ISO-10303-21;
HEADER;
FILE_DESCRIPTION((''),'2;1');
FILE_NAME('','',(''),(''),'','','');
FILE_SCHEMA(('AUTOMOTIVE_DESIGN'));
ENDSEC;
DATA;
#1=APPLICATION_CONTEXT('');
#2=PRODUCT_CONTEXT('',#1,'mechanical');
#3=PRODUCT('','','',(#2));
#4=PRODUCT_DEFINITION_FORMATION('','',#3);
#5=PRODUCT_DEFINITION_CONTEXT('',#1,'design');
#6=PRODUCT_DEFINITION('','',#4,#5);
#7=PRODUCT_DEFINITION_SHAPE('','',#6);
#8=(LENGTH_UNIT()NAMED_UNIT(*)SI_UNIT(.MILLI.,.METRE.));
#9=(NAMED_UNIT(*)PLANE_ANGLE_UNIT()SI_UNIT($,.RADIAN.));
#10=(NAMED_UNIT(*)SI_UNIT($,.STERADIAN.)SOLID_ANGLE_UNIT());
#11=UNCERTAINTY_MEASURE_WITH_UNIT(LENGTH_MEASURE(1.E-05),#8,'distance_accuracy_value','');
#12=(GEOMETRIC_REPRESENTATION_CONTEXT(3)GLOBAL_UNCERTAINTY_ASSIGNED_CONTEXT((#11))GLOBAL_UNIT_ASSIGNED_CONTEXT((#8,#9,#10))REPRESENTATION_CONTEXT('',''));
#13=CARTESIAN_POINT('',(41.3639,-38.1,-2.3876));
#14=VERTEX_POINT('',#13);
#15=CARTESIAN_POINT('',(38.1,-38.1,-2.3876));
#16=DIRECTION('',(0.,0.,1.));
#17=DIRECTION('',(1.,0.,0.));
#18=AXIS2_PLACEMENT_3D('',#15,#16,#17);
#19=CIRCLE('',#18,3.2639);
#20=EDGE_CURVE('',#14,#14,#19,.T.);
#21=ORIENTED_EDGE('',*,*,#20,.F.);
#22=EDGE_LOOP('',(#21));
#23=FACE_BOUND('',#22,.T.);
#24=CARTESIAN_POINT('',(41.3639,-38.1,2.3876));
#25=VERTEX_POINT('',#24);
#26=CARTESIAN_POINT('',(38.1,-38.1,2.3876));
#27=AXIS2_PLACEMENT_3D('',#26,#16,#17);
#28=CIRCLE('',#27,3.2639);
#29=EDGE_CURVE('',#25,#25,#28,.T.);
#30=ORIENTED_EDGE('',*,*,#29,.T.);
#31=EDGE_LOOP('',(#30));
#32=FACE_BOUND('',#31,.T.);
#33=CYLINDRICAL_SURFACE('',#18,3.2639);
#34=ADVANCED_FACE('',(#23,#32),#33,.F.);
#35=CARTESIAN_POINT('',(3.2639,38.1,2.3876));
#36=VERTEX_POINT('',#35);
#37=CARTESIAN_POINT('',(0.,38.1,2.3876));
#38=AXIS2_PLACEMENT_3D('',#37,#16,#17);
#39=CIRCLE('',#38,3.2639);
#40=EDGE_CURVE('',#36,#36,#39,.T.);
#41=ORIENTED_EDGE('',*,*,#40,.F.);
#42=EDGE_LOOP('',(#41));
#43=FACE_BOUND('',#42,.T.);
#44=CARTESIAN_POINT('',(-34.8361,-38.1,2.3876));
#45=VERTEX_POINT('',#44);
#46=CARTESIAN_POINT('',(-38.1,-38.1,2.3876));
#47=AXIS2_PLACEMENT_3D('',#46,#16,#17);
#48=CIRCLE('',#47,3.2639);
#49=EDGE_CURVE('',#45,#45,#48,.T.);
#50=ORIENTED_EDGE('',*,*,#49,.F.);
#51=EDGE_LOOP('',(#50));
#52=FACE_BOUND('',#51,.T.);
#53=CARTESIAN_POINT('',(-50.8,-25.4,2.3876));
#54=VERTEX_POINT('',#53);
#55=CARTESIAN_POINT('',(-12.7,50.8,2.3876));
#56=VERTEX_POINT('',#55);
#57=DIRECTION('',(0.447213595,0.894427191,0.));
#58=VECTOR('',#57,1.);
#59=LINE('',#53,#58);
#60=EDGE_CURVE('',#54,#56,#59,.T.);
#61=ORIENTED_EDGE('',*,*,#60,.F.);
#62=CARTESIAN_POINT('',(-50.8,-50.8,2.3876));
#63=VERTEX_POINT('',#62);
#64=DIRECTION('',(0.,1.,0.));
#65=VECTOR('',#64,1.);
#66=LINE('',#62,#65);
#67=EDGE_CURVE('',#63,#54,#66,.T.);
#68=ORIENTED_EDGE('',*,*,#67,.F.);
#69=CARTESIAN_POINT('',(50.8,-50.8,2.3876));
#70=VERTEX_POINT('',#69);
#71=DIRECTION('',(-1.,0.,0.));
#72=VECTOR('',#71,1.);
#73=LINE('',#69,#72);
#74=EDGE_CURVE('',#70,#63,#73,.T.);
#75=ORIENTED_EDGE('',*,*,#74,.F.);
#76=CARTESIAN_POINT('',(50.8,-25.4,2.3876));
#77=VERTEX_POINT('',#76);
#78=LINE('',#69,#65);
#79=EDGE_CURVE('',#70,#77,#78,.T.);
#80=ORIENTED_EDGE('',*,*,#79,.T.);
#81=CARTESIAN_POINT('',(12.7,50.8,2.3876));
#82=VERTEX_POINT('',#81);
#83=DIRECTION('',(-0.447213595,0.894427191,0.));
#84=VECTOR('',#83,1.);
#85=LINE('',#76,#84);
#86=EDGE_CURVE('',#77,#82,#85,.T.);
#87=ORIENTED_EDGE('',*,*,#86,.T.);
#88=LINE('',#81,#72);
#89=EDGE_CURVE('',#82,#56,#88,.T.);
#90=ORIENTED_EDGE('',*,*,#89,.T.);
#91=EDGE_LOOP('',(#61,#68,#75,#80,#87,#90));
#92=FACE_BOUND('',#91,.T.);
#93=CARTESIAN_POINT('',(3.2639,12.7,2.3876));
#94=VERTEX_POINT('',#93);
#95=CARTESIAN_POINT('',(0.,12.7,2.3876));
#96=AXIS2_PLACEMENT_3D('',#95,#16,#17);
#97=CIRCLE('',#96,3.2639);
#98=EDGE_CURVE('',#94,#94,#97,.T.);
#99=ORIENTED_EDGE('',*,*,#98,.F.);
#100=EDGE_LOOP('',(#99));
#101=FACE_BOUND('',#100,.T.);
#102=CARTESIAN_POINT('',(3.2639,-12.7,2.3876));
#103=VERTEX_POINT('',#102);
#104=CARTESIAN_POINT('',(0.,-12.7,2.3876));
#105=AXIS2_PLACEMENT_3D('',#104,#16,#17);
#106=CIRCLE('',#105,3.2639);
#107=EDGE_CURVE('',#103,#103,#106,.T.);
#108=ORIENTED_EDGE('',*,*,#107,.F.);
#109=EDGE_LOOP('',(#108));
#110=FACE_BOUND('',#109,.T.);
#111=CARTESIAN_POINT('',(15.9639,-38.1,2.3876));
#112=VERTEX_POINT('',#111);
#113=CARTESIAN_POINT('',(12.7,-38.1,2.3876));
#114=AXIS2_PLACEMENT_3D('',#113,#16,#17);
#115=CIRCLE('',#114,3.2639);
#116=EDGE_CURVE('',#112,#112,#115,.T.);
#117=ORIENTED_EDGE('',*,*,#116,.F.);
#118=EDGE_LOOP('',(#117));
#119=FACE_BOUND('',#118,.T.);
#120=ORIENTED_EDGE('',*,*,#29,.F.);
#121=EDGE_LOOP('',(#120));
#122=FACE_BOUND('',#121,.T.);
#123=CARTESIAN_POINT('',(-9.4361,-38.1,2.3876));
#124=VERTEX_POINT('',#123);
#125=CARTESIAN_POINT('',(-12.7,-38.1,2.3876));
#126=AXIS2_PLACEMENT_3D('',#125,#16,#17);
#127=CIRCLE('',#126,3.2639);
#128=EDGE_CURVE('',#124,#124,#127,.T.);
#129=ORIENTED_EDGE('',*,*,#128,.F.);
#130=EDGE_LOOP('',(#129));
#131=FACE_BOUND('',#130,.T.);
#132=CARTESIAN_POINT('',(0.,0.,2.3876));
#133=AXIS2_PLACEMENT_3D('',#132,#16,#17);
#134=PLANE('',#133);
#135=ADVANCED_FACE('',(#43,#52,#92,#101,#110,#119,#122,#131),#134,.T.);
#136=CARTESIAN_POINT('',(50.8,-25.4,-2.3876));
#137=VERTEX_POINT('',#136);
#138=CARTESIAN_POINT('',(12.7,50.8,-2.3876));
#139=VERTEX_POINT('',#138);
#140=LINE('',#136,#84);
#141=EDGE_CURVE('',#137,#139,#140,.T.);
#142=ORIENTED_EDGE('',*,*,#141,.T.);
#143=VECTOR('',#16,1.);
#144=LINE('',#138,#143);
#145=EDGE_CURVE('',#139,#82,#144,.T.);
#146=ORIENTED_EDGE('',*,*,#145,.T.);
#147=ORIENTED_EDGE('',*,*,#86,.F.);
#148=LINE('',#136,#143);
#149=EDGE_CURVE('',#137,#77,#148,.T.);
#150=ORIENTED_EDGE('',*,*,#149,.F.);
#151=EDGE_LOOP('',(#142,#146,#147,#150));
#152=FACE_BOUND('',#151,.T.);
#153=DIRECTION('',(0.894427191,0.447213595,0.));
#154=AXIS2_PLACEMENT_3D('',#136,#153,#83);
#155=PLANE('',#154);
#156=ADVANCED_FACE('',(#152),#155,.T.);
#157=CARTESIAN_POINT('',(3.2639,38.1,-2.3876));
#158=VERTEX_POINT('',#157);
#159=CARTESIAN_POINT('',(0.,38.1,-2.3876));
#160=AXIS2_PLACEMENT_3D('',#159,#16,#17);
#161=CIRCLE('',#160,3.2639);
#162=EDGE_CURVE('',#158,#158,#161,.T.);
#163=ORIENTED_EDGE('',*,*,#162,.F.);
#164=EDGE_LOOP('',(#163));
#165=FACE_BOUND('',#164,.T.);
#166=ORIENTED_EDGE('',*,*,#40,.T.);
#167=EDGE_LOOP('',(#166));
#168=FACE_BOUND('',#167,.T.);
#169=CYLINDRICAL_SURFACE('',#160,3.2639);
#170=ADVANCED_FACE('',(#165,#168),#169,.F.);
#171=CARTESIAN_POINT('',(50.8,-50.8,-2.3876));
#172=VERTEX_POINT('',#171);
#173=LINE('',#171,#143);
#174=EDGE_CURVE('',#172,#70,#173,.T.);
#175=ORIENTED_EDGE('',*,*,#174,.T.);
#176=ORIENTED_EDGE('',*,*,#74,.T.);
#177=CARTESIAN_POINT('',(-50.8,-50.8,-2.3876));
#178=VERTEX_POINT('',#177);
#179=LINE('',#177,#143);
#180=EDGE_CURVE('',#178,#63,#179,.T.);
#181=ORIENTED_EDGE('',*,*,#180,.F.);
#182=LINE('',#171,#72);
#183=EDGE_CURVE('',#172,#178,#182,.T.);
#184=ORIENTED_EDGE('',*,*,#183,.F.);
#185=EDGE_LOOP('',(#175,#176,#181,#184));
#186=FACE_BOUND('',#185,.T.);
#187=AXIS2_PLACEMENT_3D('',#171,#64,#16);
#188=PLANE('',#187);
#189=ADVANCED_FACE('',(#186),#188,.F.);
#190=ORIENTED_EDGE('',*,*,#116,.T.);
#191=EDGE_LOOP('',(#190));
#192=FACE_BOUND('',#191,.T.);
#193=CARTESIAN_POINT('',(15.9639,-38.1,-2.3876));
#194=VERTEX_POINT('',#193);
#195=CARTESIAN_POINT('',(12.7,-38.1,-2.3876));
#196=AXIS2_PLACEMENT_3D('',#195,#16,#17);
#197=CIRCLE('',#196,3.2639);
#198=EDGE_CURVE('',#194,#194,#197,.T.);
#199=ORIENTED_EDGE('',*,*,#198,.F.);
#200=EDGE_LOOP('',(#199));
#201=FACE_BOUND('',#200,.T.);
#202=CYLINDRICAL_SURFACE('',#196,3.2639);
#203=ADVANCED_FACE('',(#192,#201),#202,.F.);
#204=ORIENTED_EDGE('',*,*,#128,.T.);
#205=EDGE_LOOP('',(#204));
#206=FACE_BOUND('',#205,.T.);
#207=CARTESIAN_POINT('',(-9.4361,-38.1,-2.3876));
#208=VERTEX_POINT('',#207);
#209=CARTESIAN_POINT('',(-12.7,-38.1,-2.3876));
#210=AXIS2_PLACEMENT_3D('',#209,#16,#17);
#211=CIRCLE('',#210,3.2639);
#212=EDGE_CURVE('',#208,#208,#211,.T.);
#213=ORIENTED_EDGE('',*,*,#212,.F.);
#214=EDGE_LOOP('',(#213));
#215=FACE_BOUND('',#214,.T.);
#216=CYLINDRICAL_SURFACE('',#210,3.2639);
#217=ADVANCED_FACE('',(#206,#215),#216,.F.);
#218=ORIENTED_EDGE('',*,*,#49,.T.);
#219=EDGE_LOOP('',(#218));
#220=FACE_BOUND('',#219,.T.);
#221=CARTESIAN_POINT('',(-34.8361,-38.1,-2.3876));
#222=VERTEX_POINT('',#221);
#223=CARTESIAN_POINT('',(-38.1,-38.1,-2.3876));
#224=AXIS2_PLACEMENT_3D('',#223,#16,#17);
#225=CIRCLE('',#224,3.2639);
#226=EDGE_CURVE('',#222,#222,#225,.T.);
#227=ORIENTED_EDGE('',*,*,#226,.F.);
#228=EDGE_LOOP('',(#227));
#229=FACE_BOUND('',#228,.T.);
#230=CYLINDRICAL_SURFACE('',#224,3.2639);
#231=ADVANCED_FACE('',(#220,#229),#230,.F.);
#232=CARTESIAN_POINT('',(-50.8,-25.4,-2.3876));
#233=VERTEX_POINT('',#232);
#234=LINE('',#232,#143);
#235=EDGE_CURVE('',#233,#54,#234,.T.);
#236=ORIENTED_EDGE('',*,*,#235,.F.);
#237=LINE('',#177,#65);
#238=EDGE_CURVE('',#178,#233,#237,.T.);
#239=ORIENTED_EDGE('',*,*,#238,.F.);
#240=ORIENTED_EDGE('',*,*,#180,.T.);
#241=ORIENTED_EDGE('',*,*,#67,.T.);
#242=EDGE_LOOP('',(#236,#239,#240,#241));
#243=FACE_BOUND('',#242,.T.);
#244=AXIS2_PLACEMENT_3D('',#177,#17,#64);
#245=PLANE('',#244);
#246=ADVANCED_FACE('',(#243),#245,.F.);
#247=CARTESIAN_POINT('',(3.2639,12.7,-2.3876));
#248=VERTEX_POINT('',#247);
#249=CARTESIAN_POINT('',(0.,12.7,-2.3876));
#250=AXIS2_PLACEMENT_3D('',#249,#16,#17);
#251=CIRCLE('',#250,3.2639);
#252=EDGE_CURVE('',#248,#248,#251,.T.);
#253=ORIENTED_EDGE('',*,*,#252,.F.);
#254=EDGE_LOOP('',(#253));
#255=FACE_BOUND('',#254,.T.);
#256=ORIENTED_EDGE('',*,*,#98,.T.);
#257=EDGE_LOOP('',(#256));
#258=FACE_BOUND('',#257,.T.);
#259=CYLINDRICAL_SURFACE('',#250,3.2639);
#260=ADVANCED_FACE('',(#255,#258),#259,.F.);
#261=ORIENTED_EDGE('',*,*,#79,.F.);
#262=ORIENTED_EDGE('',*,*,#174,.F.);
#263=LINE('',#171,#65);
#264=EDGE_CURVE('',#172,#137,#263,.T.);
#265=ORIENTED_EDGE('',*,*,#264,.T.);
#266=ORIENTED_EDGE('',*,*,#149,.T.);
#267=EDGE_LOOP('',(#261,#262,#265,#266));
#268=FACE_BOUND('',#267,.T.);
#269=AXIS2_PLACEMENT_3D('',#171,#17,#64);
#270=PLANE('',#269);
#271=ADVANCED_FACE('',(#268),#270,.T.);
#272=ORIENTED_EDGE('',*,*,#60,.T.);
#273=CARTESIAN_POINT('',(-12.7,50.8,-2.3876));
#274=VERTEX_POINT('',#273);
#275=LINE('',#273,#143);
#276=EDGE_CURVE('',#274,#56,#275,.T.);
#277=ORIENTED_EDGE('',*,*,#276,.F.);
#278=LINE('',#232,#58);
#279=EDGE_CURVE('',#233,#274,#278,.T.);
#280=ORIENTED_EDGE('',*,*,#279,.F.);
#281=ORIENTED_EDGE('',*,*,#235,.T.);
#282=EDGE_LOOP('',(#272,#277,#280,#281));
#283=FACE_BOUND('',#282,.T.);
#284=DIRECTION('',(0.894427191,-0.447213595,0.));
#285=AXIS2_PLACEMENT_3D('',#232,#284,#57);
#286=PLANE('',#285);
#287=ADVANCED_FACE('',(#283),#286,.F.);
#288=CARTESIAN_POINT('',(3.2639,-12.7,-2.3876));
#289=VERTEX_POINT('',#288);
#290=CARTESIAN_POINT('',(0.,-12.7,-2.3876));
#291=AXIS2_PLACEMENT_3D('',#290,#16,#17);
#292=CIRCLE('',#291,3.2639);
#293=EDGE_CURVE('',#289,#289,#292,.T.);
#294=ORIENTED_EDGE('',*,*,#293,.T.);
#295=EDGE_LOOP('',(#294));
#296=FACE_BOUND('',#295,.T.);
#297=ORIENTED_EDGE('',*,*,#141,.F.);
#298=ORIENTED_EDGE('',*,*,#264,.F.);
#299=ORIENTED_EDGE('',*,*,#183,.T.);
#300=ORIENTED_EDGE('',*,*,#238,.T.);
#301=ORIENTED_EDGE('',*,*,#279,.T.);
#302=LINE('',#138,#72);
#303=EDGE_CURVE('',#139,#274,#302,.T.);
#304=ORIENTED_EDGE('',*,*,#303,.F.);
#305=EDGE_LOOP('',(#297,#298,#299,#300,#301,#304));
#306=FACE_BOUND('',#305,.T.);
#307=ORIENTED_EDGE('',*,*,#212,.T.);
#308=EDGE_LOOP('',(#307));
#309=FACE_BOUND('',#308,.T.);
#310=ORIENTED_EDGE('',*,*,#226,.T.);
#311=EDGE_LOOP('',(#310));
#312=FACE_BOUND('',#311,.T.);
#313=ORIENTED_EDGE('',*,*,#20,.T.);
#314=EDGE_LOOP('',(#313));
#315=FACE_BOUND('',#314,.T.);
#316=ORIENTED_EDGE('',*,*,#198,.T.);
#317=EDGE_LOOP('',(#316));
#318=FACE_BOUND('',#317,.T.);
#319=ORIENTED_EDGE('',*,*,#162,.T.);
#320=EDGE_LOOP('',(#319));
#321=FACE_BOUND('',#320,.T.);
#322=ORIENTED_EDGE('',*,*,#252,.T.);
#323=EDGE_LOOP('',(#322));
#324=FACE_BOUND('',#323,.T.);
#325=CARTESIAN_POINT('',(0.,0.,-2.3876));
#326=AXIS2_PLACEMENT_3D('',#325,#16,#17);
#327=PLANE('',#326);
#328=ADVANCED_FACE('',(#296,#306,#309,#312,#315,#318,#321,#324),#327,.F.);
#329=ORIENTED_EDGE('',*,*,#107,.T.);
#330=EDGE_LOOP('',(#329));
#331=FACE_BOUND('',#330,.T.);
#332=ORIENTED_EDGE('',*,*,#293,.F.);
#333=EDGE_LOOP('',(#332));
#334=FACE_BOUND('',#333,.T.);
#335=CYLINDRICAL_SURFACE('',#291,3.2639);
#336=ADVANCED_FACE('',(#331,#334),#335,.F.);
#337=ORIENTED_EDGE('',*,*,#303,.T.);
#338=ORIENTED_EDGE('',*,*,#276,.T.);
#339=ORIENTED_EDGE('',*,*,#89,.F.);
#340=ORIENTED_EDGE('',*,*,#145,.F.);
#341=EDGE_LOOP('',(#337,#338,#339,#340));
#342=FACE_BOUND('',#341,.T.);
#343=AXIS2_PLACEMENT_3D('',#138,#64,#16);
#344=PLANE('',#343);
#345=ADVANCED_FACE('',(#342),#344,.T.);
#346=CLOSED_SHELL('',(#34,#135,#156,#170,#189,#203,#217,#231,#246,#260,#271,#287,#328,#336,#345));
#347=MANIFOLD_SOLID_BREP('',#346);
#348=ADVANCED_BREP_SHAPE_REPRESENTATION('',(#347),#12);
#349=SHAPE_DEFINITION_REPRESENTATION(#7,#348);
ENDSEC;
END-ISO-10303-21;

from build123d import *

# Parameters (mm, degrees)
BOSS_EXTRUDE1_DEPTH      = 2.3876
BOSS_EXTRUDE1_DEPTH_BACK = 2.3876
SKETCH4_R                = 3.2639
CUT_EXTRUDE1_DEPTH       = 5.7752


with BuildPart() as part:
    # Sketch3 → Boss-Extrude1 (new body, two sides)
    with BuildSketch(Plane.XY) as boss_extrude1_sk:
        Polygon((50.8, -50.8), (-50.8, -50.8), (-50.8, -25.4), (-12.7, 50.8), (12.7, 50.8), (50.8, -25.4), align=None)
    extrude(amount=BOSS_EXTRUDE1_DEPTH)
    extrude(boss_extrude1_sk.sketch, amount=-BOSS_EXTRUDE1_DEPTH_BACK)

    # Sketch4 → Cut-Extrude1 (cut, through all)
    with BuildSketch(Plane.XY.offset(2.3876)):
        with Locations((-38.1, -38.1)):
            Circle(SKETCH4_R)
        with Locations((-12.7, -38.1)):
            Circle(SKETCH4_R)
        with Locations((12.7, -38.1)):
            Circle(SKETCH4_R)
        with Locations((0, 38.1)):
            Circle(SKETCH4_R)
        with Locations((0, 12.7)):
            Circle(SKETCH4_R)
        with Locations((38.1, -38.1)):
            Circle(SKETCH4_R)
        with Locations((0, -12.7)):
            Circle(SKETCH4_R)
    extrude(amount=-CUT_EXTRUDE1_DEPTH, mode=Mode.SUBTRACT)


solid = part.part
